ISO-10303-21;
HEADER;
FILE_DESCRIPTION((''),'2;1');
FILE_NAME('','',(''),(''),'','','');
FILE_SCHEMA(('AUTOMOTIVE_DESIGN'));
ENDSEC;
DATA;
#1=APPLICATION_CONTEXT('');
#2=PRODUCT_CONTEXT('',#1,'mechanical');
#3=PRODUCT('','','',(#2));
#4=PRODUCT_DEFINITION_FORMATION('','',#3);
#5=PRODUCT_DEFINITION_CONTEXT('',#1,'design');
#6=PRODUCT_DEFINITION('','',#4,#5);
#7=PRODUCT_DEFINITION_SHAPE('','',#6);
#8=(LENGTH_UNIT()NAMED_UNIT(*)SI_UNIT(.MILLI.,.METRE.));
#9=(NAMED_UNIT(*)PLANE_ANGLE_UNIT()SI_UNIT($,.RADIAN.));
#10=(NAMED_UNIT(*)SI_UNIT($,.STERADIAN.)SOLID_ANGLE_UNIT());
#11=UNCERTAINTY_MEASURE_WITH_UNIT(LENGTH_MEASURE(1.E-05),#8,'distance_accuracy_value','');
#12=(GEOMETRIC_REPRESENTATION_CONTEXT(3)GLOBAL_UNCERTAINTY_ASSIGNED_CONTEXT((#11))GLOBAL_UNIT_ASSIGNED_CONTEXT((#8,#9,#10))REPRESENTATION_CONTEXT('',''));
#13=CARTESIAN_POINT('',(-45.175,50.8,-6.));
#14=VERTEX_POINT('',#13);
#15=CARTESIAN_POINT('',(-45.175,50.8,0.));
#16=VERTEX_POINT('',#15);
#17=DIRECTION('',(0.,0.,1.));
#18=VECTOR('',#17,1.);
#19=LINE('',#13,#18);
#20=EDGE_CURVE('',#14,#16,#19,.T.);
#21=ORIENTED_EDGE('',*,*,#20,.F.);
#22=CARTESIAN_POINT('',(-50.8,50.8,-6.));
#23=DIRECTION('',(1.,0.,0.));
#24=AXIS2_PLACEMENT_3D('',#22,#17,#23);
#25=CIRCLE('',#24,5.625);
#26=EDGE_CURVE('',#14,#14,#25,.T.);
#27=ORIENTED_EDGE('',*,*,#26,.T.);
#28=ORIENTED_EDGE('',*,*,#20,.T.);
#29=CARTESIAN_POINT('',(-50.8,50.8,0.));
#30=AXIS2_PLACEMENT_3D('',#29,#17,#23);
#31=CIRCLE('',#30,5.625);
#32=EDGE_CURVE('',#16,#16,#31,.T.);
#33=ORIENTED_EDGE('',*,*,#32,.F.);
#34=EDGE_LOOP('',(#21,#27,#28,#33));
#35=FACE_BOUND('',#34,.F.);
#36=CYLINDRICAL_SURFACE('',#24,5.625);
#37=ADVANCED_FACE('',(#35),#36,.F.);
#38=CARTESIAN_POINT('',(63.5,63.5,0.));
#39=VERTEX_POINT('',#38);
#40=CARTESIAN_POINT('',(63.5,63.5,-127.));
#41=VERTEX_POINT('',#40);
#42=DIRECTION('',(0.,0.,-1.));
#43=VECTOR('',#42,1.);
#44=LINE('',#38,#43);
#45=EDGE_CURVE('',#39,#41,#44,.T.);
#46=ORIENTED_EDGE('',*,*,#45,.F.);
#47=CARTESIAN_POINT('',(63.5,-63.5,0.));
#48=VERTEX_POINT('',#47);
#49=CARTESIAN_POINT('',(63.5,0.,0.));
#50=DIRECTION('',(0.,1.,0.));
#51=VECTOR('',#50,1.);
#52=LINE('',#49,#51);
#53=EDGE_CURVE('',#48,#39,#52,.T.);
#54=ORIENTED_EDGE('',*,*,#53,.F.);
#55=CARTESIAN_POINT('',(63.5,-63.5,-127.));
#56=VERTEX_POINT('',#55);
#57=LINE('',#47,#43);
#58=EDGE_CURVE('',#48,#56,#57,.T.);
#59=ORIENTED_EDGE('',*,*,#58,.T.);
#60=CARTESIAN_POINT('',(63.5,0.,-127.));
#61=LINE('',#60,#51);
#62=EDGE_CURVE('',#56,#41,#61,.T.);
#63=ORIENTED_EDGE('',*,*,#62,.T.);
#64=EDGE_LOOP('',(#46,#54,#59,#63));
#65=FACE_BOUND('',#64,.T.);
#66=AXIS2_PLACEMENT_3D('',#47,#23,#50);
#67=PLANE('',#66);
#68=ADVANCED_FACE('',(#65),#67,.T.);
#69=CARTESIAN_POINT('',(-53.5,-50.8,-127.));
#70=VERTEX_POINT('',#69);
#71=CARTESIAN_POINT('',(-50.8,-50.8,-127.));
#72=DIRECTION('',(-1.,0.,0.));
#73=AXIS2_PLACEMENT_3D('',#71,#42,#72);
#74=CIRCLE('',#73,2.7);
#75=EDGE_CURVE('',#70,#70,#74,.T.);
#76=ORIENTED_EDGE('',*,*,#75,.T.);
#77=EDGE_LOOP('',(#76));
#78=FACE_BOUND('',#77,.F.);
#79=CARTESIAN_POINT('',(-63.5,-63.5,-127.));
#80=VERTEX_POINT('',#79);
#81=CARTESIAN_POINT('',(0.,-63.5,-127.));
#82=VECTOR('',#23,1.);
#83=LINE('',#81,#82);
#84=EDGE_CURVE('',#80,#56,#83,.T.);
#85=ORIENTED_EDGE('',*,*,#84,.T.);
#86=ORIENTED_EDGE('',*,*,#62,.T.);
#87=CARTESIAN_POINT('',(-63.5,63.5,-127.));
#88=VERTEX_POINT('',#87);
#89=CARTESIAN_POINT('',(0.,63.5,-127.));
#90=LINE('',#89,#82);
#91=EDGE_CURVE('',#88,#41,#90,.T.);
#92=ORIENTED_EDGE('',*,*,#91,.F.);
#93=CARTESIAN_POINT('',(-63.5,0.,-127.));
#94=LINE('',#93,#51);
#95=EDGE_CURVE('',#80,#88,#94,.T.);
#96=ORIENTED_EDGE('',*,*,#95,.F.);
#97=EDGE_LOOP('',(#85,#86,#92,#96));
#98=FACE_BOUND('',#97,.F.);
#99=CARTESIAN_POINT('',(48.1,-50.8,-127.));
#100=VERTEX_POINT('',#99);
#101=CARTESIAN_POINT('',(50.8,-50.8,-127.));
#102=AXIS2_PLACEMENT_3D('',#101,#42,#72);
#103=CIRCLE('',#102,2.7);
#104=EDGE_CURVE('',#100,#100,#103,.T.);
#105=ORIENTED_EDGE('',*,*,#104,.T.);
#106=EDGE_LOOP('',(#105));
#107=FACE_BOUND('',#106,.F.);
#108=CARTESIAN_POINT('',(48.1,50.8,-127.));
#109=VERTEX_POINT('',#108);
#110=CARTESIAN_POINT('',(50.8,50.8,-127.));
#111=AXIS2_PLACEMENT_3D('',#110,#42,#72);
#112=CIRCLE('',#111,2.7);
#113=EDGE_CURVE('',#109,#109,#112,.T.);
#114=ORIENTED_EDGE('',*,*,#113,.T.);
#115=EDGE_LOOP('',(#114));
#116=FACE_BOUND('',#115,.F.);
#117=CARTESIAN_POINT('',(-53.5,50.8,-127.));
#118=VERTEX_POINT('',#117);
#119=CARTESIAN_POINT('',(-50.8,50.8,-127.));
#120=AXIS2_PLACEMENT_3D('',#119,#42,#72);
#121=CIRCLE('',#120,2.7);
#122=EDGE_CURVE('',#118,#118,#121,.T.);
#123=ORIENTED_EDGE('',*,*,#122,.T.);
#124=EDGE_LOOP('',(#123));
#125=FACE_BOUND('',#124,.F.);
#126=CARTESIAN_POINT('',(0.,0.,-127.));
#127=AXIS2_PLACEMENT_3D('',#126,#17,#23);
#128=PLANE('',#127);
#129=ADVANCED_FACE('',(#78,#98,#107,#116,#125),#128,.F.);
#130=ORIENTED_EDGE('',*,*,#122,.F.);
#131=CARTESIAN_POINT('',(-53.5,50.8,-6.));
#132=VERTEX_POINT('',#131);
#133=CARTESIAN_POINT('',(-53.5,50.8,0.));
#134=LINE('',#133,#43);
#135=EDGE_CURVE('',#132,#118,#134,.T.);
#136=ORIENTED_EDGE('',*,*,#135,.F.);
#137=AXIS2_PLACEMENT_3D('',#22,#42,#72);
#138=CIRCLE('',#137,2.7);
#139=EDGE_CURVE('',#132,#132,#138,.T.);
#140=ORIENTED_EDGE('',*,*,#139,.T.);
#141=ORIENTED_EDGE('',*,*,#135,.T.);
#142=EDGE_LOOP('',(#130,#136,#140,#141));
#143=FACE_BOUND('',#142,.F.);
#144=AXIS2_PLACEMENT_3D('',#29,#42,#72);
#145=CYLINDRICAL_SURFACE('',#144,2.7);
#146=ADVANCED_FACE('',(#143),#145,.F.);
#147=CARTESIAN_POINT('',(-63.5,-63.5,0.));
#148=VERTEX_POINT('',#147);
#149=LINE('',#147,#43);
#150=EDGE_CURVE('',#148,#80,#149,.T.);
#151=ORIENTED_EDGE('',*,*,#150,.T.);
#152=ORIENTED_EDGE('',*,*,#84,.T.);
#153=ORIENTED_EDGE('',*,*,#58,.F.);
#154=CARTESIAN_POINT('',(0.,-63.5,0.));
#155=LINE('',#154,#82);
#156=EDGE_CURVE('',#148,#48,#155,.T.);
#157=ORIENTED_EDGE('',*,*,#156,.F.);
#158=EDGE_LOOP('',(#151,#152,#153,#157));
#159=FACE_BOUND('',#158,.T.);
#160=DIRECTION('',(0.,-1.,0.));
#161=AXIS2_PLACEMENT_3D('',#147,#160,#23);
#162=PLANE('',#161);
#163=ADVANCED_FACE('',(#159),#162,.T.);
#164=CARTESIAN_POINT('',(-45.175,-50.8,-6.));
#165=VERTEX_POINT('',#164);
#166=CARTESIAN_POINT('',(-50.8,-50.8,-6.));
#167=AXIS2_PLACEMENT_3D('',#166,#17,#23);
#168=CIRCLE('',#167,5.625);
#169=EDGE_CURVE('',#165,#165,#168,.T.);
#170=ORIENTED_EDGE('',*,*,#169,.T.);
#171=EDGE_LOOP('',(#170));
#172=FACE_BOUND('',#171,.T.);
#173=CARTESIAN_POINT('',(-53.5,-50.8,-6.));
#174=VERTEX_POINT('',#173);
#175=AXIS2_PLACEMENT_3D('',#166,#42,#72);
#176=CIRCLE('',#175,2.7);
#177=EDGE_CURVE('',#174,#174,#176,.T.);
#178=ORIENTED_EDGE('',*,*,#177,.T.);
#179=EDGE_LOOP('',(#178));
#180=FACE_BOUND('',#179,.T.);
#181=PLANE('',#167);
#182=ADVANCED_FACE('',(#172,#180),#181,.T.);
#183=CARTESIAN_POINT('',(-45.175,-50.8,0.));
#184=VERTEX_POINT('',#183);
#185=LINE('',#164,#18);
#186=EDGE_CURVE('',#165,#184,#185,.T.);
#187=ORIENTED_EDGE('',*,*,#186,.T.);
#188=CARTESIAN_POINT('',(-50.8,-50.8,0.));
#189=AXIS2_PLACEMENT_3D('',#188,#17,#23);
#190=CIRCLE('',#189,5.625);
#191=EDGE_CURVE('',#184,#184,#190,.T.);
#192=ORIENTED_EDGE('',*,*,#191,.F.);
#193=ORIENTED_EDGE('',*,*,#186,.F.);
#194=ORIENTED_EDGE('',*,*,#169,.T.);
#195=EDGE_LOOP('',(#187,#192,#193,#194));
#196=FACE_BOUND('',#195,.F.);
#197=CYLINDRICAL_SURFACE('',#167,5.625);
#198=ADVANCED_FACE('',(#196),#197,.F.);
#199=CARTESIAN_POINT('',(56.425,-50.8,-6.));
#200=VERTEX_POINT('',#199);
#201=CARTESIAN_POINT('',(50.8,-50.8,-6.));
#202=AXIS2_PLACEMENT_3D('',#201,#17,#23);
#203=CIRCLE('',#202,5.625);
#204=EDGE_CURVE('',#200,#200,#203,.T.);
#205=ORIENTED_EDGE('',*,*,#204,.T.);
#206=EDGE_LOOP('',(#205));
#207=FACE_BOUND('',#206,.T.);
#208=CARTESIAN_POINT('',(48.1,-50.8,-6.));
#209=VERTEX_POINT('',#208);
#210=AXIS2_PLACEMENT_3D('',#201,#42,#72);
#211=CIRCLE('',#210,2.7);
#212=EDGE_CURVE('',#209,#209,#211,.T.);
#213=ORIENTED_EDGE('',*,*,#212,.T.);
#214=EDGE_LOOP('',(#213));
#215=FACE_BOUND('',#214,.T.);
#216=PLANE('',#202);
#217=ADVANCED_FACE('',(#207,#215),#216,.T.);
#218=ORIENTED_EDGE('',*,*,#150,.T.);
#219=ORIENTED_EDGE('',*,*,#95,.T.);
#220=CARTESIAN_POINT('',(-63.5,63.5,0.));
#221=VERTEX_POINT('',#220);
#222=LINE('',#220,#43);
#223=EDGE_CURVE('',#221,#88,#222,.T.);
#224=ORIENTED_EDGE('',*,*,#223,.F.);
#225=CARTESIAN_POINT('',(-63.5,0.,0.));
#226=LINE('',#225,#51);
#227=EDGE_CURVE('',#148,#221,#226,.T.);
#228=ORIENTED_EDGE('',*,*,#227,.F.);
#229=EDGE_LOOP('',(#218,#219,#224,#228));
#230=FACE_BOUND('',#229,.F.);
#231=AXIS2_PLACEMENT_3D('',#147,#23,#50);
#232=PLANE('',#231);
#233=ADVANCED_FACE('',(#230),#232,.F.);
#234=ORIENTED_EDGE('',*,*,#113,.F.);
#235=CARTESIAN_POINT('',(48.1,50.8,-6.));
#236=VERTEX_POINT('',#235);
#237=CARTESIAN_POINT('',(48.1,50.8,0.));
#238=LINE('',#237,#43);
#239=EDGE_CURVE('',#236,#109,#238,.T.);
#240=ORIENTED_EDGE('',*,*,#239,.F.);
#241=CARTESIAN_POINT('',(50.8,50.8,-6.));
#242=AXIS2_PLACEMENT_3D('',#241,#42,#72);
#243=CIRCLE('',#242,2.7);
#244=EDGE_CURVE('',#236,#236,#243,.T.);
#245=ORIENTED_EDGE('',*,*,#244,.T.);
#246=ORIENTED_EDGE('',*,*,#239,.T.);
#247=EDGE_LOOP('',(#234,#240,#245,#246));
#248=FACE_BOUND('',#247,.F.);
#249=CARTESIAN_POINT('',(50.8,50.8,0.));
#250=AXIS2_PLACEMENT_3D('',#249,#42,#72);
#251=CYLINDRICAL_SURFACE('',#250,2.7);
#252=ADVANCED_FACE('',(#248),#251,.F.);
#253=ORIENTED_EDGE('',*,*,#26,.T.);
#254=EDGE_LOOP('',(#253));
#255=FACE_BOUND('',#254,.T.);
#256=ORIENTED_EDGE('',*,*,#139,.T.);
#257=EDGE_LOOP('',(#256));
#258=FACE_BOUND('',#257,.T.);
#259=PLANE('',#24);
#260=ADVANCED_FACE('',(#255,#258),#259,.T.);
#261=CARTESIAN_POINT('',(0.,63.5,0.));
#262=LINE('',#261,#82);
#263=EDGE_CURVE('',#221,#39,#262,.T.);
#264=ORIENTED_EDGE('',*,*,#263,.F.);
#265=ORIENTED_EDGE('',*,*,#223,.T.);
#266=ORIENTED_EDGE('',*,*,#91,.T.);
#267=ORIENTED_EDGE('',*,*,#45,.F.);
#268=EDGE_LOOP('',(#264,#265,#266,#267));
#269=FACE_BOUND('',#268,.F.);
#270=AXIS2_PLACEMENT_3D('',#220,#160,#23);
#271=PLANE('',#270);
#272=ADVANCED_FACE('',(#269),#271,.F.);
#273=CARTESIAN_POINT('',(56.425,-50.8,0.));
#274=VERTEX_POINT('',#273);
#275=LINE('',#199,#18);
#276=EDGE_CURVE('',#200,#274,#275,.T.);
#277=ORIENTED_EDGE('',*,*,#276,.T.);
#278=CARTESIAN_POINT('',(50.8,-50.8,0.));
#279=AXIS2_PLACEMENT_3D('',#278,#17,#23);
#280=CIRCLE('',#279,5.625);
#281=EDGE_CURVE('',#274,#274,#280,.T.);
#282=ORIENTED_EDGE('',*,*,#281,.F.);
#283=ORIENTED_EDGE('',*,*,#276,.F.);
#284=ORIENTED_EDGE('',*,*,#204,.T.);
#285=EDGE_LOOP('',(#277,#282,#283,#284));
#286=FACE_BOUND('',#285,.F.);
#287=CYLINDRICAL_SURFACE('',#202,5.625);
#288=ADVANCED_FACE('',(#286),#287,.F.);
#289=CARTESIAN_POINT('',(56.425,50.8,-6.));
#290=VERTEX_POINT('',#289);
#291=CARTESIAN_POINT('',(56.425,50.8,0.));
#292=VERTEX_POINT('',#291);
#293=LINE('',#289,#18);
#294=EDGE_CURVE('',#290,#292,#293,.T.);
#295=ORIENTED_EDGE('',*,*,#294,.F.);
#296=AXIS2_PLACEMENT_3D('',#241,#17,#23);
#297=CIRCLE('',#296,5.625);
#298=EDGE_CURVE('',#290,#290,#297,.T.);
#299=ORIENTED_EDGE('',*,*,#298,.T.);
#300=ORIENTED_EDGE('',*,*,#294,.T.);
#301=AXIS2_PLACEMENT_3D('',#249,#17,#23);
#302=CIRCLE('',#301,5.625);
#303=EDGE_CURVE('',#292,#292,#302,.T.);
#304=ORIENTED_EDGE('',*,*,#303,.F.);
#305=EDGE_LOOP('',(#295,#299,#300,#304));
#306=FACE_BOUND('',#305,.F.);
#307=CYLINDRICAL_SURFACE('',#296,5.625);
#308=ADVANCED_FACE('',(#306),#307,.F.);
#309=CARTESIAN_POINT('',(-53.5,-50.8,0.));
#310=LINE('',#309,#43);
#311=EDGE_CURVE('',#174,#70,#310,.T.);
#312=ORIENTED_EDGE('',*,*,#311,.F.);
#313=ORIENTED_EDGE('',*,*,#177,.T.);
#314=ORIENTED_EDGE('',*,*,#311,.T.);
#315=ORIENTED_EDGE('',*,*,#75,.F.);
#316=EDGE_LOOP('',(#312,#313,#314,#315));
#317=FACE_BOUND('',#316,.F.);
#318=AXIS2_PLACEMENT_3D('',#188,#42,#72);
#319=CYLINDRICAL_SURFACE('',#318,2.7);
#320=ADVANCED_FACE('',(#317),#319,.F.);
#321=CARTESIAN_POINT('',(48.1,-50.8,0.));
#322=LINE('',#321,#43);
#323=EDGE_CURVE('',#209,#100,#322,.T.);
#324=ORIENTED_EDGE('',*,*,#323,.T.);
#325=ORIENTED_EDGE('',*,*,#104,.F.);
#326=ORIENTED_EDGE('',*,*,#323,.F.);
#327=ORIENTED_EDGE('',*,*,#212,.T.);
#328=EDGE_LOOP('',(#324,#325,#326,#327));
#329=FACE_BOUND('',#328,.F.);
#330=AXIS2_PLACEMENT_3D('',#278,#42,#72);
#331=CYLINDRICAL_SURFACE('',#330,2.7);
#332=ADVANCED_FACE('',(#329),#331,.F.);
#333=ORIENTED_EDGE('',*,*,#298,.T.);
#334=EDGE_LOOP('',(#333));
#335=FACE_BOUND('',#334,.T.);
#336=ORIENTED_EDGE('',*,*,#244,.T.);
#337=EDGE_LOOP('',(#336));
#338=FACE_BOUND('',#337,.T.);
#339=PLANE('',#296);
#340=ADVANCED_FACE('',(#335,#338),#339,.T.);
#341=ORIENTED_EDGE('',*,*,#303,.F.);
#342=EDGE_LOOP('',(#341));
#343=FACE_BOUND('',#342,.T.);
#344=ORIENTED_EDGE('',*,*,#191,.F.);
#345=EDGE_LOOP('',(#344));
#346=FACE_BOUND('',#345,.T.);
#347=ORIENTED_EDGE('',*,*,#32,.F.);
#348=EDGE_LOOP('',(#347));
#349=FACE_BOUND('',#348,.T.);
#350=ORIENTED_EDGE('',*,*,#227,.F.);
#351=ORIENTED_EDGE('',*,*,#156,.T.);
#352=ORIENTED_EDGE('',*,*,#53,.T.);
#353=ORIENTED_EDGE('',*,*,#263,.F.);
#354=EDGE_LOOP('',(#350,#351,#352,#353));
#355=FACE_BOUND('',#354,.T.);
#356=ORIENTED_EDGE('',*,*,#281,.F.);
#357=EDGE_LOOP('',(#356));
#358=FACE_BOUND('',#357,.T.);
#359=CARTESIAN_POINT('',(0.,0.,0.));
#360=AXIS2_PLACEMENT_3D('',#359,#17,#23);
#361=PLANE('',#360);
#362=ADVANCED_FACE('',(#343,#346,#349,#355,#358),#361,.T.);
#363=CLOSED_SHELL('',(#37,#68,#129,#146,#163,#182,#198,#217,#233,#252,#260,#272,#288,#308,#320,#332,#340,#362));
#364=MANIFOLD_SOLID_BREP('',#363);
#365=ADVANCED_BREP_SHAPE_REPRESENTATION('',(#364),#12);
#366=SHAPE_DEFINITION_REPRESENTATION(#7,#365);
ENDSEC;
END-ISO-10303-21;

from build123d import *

# Parameters (mm, degrees)
F0_W           = 127
F0_H           = 127
F1_DEPTH       = 127
F3_D           = 5.4
F3_CBORE_D     = 11.25
F3_CBORE_DEPTH = 6


with BuildPart() as f1:
    # F0 (on Top) → F1 (new body)
    with BuildSketch(Plane.XY):
        Rectangle(F0_W, F0_H)
    extrude(amount=-F1_DEPTH)

    # F3 (through all)
    with Locations(Plane.XY):
        with Locations((-50.8, 50.8), (-50.8, -50.8), (50.8, -50.8), (50.8, 50.8)):
            CounterBoreHole(F3_D / 2, F3_CBORE_D / 2, F3_CBORE_DEPTH)


solid = f1.part
